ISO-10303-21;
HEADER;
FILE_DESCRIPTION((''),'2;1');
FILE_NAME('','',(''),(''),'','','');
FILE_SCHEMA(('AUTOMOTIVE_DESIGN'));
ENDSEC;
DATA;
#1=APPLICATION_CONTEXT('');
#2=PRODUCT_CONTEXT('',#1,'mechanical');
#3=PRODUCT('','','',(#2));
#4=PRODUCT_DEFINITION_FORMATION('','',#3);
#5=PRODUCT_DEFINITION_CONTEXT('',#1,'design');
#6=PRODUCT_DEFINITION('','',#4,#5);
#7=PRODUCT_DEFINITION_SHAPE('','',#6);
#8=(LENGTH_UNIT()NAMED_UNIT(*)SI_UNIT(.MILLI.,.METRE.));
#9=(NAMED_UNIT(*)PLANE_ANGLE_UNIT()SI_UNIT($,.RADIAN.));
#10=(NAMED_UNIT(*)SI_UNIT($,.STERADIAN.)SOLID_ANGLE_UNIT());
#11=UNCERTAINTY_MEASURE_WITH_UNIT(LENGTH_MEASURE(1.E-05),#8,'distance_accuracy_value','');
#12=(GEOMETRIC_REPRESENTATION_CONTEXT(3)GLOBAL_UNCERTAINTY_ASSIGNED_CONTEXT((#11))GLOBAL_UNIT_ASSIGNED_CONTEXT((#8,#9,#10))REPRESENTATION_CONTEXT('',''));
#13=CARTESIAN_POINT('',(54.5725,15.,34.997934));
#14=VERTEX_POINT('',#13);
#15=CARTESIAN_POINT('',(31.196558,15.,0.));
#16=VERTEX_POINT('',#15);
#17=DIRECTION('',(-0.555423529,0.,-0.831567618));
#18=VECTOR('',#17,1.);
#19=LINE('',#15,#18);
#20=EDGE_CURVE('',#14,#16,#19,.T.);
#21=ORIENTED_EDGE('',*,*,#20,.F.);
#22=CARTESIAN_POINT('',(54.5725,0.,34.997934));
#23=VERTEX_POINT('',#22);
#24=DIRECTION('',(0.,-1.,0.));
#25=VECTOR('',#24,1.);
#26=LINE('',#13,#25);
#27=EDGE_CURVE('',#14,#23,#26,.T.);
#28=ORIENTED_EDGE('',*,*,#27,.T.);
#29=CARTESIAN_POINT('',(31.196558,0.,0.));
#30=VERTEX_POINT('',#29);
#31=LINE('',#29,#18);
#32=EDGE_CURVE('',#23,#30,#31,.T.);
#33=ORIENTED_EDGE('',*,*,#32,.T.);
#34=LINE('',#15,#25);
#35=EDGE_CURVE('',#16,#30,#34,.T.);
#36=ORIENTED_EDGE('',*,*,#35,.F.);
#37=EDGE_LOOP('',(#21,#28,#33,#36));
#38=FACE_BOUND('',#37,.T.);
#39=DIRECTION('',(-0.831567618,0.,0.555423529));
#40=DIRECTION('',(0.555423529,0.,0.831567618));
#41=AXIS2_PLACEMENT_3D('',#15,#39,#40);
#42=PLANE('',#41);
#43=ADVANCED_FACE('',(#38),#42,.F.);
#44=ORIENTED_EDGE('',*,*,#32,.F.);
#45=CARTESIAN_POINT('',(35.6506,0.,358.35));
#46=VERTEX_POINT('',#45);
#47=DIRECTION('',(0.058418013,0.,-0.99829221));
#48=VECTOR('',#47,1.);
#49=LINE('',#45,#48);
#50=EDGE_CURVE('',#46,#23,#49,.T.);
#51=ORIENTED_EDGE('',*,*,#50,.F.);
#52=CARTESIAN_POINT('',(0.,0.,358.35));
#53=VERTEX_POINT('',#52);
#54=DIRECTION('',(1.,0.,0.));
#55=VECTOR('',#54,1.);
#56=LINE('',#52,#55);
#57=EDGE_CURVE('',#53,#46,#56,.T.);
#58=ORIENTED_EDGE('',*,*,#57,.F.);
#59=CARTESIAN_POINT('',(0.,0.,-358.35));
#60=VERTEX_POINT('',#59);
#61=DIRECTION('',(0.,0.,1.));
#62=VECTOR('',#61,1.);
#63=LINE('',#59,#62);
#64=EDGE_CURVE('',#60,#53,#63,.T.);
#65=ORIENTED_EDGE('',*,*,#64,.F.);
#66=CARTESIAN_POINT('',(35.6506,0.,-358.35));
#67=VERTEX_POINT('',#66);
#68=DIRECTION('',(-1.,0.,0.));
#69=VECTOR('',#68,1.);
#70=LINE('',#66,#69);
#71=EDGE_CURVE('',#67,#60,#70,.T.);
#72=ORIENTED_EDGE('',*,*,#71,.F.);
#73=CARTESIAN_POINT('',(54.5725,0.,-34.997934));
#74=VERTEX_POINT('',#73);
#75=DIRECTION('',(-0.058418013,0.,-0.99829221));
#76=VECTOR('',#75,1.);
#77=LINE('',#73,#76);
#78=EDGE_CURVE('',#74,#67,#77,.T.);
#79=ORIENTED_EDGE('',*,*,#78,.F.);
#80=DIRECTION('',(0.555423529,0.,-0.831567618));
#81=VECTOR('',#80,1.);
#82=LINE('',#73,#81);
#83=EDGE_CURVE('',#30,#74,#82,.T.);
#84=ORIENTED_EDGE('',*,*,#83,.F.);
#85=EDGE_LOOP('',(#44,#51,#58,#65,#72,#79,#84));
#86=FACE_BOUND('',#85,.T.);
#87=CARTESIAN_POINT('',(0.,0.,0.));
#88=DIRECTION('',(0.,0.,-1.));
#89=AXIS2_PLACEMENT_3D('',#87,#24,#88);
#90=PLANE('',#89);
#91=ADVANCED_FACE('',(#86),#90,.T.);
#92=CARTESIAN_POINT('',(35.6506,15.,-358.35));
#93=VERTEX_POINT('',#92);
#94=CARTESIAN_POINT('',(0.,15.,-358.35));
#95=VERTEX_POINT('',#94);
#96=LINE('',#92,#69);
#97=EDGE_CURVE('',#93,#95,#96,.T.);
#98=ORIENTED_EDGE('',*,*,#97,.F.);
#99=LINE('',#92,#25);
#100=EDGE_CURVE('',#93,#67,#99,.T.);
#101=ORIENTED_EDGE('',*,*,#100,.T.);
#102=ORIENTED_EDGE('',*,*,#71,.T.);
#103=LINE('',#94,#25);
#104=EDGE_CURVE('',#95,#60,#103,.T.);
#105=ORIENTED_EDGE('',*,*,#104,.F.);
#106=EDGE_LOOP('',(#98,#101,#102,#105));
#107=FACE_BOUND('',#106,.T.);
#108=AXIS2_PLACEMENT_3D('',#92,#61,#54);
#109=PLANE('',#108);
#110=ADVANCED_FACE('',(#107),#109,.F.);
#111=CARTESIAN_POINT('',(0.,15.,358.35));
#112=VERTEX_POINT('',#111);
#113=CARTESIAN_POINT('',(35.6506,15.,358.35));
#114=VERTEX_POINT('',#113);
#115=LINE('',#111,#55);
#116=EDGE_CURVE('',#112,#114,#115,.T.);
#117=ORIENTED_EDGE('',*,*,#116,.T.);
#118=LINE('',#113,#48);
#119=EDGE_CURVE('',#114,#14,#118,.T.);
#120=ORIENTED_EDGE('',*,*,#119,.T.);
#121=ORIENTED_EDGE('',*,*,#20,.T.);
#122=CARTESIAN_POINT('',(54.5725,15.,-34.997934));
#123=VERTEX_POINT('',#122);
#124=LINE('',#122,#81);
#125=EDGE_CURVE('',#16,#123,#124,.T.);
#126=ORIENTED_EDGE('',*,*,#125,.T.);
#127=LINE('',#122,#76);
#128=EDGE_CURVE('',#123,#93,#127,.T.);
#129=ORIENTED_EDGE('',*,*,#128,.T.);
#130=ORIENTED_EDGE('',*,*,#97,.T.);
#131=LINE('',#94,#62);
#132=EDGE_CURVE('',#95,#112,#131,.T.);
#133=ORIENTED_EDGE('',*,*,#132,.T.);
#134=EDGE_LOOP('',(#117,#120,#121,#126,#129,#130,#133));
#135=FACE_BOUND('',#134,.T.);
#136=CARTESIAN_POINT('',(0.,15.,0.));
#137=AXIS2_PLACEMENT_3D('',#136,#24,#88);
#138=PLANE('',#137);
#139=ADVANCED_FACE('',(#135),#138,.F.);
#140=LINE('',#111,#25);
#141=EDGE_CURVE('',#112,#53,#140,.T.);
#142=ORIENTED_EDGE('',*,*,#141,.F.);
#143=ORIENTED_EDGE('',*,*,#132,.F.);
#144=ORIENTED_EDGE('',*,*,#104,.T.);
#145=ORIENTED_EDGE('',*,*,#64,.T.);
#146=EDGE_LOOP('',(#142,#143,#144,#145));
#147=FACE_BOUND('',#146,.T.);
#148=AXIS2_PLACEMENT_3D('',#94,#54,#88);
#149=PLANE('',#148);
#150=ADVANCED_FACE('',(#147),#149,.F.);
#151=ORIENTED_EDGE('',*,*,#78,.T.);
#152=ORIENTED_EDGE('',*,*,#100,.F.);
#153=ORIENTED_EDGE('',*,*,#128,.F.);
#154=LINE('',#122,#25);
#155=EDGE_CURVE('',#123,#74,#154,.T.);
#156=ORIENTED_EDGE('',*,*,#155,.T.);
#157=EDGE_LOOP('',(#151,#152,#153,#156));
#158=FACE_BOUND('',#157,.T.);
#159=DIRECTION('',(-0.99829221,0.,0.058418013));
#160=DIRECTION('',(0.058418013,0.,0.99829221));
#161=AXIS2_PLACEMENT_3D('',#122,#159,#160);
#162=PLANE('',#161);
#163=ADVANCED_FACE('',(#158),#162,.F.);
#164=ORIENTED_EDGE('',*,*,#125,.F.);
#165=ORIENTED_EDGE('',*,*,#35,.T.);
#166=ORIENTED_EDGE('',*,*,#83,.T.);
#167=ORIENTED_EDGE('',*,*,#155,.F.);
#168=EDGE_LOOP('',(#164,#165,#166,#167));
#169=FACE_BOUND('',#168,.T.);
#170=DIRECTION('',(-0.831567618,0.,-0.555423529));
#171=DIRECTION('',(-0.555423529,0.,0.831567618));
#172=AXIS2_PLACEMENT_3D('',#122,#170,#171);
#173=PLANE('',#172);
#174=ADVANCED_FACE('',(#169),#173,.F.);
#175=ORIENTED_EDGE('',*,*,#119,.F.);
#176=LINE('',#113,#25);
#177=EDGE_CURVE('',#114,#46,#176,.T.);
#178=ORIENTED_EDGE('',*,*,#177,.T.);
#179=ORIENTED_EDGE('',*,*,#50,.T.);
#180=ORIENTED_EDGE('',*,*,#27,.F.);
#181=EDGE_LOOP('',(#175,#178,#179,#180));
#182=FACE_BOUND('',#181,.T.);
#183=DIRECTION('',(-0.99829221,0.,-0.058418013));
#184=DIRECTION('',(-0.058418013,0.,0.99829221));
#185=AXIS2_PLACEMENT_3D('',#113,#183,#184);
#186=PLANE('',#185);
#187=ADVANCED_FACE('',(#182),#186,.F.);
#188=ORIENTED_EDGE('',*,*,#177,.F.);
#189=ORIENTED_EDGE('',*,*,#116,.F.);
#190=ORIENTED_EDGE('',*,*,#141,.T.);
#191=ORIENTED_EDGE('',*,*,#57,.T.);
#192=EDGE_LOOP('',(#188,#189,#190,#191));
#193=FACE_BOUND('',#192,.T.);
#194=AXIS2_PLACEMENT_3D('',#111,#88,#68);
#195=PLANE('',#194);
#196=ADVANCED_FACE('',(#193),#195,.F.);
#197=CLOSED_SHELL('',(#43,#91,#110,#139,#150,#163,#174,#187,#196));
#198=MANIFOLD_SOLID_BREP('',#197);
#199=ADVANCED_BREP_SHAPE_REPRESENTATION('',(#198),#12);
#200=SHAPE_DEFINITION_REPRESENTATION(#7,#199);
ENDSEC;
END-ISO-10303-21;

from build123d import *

# Parameters (mm, degrees)
BOSS_EXTRUDE1_DEPTH = 15


with BuildPart() as part:
    # Sketch1 → Boss-Extrude1 (new body)
    with BuildSketch(Plane(origin=(0, 0, 0), x_dir=(1, 0, 0), z_dir=(0, 1, 0))):
        Polygon((0, 358.35), (0, -358.35), (35.650600343, -358.35), (54.572500068, -34.997934227), (31.19655837, 0), (54.572500068, 34.997934227), (35.650600343, 358.35), align=None)
    extrude(amount=BOSS_EXTRUDE1_DEPTH)


solid = part.part
